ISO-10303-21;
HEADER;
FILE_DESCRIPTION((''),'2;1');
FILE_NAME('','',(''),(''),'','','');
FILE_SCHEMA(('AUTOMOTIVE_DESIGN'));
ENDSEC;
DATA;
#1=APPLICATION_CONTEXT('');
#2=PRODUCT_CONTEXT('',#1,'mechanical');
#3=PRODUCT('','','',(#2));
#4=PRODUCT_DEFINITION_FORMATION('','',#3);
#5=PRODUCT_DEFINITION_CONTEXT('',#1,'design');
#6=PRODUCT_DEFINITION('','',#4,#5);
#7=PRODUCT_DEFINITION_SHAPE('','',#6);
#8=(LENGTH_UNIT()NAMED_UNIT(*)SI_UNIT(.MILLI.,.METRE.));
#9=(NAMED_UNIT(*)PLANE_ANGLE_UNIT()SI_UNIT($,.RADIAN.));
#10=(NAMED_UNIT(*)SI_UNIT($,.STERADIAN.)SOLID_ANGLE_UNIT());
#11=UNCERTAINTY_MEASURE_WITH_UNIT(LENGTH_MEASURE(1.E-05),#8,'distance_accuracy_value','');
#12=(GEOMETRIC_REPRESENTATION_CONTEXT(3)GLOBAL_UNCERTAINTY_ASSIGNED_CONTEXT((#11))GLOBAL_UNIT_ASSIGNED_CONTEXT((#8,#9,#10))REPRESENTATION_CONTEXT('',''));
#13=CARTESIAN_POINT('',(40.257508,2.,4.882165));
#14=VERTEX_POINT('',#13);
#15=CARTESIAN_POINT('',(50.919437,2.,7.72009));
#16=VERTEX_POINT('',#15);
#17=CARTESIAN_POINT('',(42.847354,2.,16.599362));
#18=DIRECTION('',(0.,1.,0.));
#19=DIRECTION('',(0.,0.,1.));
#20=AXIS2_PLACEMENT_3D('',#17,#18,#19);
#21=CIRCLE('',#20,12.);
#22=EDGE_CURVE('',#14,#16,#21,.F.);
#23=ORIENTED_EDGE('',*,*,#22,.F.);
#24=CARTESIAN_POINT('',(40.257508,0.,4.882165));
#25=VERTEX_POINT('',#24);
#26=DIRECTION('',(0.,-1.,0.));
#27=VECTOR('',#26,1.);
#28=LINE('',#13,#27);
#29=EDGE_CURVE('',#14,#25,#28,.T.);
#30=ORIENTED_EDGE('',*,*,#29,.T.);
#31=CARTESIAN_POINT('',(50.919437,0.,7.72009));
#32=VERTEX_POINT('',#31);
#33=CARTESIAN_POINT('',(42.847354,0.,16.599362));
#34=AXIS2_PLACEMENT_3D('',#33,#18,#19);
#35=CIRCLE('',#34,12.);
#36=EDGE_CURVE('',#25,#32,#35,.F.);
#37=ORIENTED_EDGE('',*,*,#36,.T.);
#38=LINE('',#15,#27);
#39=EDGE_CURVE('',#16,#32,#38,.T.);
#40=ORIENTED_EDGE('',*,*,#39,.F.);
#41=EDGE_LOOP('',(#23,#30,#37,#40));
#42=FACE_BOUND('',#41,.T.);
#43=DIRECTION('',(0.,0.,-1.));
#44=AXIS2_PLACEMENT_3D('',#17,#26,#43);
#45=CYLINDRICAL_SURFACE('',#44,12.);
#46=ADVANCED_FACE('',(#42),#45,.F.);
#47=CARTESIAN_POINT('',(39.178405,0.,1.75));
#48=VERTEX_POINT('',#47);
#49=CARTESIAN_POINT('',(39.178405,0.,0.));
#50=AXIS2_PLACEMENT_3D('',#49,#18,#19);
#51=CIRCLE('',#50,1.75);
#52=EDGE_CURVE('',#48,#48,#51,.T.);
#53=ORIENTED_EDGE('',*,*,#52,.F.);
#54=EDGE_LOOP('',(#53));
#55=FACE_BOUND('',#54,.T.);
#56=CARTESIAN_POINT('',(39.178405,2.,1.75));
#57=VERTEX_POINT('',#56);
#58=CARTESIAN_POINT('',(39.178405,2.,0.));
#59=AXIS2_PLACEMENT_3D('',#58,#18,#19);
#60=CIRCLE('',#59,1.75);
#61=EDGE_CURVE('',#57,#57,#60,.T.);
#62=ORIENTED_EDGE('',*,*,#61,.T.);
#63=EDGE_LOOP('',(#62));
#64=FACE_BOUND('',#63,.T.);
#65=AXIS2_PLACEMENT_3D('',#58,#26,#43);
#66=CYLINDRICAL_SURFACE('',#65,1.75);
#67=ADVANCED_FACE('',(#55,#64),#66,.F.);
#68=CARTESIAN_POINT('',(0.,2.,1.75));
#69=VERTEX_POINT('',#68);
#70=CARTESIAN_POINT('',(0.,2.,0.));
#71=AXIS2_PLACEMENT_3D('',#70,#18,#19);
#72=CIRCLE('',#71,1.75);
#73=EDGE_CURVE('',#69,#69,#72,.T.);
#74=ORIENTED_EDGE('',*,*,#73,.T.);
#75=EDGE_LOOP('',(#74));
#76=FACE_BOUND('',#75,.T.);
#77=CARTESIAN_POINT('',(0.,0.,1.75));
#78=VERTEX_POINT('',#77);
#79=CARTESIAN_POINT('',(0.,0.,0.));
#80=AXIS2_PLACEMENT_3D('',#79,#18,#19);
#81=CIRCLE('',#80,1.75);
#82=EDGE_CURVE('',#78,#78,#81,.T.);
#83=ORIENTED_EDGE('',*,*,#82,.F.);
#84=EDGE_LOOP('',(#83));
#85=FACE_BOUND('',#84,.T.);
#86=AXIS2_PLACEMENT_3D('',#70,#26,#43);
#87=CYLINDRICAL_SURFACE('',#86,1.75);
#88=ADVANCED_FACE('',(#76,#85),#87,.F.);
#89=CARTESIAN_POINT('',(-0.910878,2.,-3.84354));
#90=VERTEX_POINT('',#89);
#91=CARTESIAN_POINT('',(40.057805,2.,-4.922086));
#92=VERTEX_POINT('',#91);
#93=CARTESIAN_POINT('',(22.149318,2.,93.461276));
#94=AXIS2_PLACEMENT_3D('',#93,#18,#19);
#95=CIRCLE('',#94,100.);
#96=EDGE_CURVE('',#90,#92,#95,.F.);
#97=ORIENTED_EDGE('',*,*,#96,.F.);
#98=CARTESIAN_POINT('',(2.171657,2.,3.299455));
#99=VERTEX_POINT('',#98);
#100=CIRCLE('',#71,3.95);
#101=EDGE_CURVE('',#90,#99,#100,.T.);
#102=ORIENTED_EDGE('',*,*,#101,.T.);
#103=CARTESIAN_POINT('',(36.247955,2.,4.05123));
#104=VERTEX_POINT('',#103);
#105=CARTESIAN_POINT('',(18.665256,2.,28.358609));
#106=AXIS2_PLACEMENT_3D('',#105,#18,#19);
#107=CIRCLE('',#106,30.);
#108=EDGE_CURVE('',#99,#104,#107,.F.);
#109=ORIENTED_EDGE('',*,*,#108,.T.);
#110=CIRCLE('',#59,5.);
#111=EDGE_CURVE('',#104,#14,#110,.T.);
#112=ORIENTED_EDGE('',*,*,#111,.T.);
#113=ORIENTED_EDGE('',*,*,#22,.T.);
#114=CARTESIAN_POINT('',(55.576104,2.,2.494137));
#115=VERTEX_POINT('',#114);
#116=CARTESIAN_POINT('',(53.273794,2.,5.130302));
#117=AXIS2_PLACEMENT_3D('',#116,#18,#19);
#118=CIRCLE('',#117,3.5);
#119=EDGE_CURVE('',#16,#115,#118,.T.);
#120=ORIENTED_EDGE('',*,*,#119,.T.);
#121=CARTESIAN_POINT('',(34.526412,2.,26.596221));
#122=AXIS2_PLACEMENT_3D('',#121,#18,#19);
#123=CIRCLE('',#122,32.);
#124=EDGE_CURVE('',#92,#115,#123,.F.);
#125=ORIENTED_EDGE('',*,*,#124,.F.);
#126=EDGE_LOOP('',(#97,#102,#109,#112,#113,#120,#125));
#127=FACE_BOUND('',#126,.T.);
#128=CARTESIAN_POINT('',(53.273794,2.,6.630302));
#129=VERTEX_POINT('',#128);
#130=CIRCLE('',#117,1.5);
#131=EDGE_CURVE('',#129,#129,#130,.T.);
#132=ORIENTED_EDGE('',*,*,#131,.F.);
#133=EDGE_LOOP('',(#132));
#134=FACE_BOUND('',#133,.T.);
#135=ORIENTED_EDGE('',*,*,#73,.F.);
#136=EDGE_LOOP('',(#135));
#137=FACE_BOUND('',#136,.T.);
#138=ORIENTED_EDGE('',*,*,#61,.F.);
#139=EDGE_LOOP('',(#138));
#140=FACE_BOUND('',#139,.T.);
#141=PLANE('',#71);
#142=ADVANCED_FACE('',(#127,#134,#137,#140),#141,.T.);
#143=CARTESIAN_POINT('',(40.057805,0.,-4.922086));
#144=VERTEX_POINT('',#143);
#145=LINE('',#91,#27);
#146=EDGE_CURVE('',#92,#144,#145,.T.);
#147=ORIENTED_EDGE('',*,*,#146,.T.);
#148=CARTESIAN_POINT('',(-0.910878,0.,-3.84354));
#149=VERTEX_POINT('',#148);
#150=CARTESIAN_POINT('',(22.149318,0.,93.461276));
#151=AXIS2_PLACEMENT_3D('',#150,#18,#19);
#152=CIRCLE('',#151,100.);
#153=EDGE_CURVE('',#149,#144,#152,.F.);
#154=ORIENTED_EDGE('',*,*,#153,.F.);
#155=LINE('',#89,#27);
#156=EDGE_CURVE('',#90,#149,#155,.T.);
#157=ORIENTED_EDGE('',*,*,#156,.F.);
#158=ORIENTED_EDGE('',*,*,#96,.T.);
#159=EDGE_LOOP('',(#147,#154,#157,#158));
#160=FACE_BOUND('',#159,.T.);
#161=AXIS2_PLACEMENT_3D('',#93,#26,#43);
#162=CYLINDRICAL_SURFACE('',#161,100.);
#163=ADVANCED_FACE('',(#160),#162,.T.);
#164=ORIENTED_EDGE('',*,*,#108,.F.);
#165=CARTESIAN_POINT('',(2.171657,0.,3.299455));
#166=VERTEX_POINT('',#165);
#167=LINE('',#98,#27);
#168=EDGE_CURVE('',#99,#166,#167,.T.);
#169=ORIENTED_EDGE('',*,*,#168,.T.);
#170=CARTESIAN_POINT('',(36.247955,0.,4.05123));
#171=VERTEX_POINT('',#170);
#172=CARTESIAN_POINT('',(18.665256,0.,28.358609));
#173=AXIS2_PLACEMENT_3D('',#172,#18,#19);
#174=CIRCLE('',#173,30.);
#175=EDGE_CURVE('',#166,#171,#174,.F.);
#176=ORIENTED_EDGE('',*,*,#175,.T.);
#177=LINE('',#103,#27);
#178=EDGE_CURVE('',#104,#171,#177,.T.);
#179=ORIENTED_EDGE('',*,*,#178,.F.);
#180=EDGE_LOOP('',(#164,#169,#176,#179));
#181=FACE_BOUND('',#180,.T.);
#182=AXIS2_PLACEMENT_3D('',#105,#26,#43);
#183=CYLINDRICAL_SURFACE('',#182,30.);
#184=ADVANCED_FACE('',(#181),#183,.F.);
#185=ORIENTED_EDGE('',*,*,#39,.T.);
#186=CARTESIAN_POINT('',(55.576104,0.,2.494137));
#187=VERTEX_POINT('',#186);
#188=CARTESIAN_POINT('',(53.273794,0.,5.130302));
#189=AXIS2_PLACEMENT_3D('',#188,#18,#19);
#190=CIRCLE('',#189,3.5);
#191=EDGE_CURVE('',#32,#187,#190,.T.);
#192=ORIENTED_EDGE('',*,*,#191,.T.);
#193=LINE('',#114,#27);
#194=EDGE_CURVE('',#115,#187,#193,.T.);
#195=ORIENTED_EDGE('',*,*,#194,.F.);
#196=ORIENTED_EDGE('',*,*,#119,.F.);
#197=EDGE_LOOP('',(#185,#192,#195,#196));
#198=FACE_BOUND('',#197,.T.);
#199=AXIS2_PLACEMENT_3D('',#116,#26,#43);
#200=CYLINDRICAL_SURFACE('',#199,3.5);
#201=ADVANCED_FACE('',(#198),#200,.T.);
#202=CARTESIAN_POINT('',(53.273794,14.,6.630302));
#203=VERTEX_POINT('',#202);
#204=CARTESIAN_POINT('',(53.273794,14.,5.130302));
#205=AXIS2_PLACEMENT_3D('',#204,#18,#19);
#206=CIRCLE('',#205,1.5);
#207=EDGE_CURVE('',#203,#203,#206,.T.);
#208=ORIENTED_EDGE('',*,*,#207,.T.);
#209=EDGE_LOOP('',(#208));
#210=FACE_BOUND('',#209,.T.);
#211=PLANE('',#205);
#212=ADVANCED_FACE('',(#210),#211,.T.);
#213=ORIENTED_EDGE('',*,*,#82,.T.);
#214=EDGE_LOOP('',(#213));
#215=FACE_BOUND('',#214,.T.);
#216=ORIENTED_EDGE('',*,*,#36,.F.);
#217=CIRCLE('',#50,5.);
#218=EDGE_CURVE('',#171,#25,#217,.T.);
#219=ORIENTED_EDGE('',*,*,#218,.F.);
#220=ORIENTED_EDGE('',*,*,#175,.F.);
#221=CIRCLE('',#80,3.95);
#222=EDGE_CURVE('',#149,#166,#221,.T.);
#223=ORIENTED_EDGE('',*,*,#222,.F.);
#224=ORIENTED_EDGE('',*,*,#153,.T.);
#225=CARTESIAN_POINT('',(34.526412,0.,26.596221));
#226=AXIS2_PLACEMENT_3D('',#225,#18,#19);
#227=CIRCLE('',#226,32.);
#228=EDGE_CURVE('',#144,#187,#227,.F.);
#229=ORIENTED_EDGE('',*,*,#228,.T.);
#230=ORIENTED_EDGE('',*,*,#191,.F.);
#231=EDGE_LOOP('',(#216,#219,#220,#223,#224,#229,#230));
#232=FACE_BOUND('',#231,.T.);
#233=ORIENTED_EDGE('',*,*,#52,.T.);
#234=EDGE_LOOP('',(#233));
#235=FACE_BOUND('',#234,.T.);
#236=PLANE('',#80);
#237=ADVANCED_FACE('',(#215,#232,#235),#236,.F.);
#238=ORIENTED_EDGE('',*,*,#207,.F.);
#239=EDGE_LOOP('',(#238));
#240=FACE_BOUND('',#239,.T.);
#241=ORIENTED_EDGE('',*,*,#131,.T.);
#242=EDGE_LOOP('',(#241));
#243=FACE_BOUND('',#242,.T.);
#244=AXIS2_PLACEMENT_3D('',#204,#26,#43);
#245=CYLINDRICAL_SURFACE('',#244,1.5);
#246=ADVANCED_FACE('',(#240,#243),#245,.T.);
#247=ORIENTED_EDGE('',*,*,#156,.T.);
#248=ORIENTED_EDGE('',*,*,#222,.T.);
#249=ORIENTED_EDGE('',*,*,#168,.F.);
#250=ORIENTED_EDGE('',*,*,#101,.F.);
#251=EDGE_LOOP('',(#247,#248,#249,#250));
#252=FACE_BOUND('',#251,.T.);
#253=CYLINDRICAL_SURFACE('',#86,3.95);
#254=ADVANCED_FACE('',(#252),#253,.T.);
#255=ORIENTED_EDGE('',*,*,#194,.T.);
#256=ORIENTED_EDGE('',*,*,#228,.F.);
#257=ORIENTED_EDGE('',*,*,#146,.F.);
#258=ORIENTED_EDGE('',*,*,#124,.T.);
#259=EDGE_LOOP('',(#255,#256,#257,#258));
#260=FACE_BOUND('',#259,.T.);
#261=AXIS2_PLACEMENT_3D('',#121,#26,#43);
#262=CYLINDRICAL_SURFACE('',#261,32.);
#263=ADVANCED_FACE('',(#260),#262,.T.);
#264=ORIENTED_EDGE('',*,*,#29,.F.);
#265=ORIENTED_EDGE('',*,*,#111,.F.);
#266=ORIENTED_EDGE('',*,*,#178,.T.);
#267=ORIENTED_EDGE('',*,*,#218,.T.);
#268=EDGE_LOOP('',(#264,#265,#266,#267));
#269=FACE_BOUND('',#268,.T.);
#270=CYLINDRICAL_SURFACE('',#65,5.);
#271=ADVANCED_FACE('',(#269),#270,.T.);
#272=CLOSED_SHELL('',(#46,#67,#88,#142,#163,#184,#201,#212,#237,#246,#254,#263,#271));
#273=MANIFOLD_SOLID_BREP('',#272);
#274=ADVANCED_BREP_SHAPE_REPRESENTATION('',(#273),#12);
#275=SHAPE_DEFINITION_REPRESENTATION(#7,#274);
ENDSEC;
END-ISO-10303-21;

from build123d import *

# Parameters (mm, degrees)
SKETCH1_R           = 1.75
SKETCH1_R_2         = 3.5
BOSS_EXTRUDE3_DEPTH = 2
SKETCH3_R           = 1.5
BOSS_EXTRUDE4_DEPTH = 12


with BuildPart() as part:
    # Sketch1 → Boss-Extrude3 (new body)
    # profile 1 of 2: a face of its own
    with BuildSketch(Plane(origin=(0, 0, 0), x_dir=(1, 0, 0), z_dir=(0, 1, 0))):
        with BuildLine():
            ThreePointArc((40.05780493, 4.92208645), (19.51761867, 6.504088301), (-0.91087774, 3.843540262))
            ThreePointArc((-0.91087774, 3.843540262), (-3.626704772, -1.56509185), (2.171657179, -3.299455273))
            ThreePointArc((2.171657179, -3.299455273), (19.326940327, 1.634092765), (36.247955143, -4.051229892))
            ThreePointArc((36.247955143, -4.051229892), (38.163769521, -4.895969245), (40.257507506, -4.882165276))
            ThreePointArc((40.257507506, -4.882165276), (45.933967375, -5.003120525), (50.919436714, -7.720089844))
            ThreePointArc((50.919436714, -7.720089844), (50.66068815, -2.80185284), (55.57610439, -2.494136696))
            ThreePointArc((55.57610439, -2.494136696), (48.324550131, 2.276108307), (40.05780493, 4.92208645))
        make_face()
        with Locations(Location((0, 0, 0), (0, 0, 270))):
            Circle(SKETCH1_R, mode=Mode.SUBTRACT)
        with Locations(Location((39.178405, 0, 0), (0, 0, 270))):
            Circle(SKETCH1_R, mode=Mode.SUBTRACT)
    # profile 2 of 2: a face of its own
    with BuildSketch(Plane(origin=(0, 0, 0), x_dir=(1, 0, 0), z_dir=(0, 1, 0))):
        with Locations((53.273794312, -5.13030215)):
            Circle(SKETCH1_R_2)
    extrude(amount=BOSS_EXTRUDE3_DEPTH)

    # Sketch3 → Boss-Extrude4 (add)
    with BuildSketch(Plane(origin=(0, 2, 0), x_dir=(1, 0, 0), z_dir=(0, 1, 0))):
        with Locations(Location((53.273794312, -5.13030215, 0), (0, 0, 270))):
            Circle(SKETCH3_R)
    extrude(amount=BOSS_EXTRUDE4_DEPTH)


solid = part.part
